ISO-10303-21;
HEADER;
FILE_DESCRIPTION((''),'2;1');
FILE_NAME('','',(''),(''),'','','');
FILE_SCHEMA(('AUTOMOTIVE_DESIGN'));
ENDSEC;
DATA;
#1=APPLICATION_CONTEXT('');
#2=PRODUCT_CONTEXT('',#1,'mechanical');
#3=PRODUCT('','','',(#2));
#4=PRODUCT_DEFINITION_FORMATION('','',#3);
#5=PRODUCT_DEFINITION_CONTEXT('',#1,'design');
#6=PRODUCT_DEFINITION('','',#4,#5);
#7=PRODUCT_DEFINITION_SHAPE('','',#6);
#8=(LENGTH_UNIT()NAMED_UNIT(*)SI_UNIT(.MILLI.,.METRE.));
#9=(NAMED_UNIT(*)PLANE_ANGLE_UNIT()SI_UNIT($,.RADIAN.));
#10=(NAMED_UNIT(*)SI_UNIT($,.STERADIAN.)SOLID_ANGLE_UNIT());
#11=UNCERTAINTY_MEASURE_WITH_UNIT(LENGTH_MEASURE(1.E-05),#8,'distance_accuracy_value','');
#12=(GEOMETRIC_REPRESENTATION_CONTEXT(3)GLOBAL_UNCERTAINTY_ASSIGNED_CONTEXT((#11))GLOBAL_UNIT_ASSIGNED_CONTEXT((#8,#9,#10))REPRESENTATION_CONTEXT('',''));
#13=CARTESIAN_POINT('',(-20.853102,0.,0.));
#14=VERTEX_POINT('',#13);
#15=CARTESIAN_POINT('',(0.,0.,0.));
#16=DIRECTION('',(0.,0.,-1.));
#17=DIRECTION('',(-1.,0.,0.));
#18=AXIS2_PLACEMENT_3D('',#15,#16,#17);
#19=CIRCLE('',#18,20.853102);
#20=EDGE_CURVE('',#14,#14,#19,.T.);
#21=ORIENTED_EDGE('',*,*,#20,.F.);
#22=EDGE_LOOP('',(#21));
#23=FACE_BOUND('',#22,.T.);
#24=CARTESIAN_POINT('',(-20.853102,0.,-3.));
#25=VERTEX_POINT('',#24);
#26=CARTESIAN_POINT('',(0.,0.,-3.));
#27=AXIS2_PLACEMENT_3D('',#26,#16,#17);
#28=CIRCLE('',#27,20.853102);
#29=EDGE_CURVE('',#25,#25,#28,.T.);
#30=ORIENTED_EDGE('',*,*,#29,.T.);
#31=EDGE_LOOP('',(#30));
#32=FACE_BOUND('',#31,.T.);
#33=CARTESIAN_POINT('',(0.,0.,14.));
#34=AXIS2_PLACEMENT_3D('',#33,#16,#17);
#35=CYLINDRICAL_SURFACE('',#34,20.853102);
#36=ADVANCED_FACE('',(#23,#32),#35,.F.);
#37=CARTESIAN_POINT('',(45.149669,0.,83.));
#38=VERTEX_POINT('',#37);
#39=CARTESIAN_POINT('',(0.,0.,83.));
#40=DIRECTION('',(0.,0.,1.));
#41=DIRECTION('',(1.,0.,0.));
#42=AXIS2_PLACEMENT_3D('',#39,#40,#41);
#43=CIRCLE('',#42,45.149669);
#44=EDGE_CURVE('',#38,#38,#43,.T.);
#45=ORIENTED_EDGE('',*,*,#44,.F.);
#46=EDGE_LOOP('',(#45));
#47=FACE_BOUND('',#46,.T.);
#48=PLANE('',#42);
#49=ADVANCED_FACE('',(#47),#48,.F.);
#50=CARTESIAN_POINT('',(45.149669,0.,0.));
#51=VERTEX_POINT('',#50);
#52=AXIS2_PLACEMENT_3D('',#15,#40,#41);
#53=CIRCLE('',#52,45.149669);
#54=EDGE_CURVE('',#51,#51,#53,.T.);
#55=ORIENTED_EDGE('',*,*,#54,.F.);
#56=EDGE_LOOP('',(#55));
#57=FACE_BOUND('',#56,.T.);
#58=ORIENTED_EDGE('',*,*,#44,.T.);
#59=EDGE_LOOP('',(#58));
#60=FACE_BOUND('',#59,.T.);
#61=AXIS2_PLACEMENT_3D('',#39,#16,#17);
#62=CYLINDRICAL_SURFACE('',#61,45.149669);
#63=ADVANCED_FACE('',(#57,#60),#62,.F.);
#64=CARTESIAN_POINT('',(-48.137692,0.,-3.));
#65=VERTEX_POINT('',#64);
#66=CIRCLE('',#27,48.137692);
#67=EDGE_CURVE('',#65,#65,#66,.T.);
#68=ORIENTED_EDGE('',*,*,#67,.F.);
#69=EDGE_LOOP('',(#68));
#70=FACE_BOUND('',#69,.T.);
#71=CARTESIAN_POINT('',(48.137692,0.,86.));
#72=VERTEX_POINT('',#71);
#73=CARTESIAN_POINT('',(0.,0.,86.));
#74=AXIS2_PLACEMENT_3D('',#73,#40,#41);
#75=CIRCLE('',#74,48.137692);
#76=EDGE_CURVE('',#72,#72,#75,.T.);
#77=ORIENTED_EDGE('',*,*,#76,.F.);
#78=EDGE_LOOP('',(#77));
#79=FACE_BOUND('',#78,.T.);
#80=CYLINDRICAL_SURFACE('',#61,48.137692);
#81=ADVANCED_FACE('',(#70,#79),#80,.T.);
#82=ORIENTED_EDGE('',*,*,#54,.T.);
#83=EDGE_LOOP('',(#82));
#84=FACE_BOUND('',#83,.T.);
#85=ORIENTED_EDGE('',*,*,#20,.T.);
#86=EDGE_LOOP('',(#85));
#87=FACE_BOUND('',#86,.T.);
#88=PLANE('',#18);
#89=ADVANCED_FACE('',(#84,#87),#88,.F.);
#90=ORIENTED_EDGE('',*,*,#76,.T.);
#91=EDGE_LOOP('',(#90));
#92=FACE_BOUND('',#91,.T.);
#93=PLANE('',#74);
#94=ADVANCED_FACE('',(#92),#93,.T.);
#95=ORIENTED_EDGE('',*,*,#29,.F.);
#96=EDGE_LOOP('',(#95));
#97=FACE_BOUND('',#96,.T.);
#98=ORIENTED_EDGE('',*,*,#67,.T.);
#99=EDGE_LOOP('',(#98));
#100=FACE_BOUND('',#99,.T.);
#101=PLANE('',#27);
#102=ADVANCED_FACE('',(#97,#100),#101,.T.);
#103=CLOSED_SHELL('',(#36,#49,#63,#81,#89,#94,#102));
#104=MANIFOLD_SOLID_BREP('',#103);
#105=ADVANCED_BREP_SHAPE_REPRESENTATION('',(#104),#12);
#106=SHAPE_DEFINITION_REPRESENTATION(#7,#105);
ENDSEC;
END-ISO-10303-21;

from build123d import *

# Parameters (mm, degrees)
SKETCH1_R           = 48.137692039
SKETCH1_R_2         = 45.149668872
BOSS_EXTRUDE1_DEPTH = 83
SKETCH2_R           = 48.137692039
BOSS_EXTRUDE2_DEPTH = 3
BOSS_EXTRUDE3_START = 3
SKETCH3_R           = 48.137692039
BOSS_EXTRUDE3_DEPTH = 3
SKETCH4_R           = 20.853102152
CUT_EXTRUDE1_DEPTH  = 17


with BuildPart() as part:
    # Sketch1 → Boss-Extrude1 (new body)
    with BuildSketch(Plane.XY):
        Circle(SKETCH1_R)
        Circle(SKETCH1_R_2, mode=Mode.SUBTRACT)
    extrude(amount=BOSS_EXTRUDE1_DEPTH)

    # Sketch2 → Boss-Extrude2 (add)
    with BuildSketch(Plane.XY.offset(83)):
        Circle(SKETCH2_R)
    extrude(amount=BOSS_EXTRUDE2_DEPTH)

    # Sketch3 → Boss-Extrude3 (add)
    with BuildSketch(Plane(origin=(0, 0, 0), x_dir=(-1, 0, 0), z_dir=(0, 0, -1)).offset(BOSS_EXTRUDE3_START)):
        Circle(SKETCH3_R)
    extrude(amount=-BOSS_EXTRUDE3_DEPTH)

    # Sketch4 → Cut-Extrude1 (cut)
    with BuildSketch(Plane(origin=(0, 0, -3), x_dir=(-1, 0, 0), z_dir=(0, 0, -1))):
        Circle(SKETCH4_R)
    extrude(amount=-CUT_EXTRUDE1_DEPTH, mode=Mode.SUBTRACT)


solid = part.part
